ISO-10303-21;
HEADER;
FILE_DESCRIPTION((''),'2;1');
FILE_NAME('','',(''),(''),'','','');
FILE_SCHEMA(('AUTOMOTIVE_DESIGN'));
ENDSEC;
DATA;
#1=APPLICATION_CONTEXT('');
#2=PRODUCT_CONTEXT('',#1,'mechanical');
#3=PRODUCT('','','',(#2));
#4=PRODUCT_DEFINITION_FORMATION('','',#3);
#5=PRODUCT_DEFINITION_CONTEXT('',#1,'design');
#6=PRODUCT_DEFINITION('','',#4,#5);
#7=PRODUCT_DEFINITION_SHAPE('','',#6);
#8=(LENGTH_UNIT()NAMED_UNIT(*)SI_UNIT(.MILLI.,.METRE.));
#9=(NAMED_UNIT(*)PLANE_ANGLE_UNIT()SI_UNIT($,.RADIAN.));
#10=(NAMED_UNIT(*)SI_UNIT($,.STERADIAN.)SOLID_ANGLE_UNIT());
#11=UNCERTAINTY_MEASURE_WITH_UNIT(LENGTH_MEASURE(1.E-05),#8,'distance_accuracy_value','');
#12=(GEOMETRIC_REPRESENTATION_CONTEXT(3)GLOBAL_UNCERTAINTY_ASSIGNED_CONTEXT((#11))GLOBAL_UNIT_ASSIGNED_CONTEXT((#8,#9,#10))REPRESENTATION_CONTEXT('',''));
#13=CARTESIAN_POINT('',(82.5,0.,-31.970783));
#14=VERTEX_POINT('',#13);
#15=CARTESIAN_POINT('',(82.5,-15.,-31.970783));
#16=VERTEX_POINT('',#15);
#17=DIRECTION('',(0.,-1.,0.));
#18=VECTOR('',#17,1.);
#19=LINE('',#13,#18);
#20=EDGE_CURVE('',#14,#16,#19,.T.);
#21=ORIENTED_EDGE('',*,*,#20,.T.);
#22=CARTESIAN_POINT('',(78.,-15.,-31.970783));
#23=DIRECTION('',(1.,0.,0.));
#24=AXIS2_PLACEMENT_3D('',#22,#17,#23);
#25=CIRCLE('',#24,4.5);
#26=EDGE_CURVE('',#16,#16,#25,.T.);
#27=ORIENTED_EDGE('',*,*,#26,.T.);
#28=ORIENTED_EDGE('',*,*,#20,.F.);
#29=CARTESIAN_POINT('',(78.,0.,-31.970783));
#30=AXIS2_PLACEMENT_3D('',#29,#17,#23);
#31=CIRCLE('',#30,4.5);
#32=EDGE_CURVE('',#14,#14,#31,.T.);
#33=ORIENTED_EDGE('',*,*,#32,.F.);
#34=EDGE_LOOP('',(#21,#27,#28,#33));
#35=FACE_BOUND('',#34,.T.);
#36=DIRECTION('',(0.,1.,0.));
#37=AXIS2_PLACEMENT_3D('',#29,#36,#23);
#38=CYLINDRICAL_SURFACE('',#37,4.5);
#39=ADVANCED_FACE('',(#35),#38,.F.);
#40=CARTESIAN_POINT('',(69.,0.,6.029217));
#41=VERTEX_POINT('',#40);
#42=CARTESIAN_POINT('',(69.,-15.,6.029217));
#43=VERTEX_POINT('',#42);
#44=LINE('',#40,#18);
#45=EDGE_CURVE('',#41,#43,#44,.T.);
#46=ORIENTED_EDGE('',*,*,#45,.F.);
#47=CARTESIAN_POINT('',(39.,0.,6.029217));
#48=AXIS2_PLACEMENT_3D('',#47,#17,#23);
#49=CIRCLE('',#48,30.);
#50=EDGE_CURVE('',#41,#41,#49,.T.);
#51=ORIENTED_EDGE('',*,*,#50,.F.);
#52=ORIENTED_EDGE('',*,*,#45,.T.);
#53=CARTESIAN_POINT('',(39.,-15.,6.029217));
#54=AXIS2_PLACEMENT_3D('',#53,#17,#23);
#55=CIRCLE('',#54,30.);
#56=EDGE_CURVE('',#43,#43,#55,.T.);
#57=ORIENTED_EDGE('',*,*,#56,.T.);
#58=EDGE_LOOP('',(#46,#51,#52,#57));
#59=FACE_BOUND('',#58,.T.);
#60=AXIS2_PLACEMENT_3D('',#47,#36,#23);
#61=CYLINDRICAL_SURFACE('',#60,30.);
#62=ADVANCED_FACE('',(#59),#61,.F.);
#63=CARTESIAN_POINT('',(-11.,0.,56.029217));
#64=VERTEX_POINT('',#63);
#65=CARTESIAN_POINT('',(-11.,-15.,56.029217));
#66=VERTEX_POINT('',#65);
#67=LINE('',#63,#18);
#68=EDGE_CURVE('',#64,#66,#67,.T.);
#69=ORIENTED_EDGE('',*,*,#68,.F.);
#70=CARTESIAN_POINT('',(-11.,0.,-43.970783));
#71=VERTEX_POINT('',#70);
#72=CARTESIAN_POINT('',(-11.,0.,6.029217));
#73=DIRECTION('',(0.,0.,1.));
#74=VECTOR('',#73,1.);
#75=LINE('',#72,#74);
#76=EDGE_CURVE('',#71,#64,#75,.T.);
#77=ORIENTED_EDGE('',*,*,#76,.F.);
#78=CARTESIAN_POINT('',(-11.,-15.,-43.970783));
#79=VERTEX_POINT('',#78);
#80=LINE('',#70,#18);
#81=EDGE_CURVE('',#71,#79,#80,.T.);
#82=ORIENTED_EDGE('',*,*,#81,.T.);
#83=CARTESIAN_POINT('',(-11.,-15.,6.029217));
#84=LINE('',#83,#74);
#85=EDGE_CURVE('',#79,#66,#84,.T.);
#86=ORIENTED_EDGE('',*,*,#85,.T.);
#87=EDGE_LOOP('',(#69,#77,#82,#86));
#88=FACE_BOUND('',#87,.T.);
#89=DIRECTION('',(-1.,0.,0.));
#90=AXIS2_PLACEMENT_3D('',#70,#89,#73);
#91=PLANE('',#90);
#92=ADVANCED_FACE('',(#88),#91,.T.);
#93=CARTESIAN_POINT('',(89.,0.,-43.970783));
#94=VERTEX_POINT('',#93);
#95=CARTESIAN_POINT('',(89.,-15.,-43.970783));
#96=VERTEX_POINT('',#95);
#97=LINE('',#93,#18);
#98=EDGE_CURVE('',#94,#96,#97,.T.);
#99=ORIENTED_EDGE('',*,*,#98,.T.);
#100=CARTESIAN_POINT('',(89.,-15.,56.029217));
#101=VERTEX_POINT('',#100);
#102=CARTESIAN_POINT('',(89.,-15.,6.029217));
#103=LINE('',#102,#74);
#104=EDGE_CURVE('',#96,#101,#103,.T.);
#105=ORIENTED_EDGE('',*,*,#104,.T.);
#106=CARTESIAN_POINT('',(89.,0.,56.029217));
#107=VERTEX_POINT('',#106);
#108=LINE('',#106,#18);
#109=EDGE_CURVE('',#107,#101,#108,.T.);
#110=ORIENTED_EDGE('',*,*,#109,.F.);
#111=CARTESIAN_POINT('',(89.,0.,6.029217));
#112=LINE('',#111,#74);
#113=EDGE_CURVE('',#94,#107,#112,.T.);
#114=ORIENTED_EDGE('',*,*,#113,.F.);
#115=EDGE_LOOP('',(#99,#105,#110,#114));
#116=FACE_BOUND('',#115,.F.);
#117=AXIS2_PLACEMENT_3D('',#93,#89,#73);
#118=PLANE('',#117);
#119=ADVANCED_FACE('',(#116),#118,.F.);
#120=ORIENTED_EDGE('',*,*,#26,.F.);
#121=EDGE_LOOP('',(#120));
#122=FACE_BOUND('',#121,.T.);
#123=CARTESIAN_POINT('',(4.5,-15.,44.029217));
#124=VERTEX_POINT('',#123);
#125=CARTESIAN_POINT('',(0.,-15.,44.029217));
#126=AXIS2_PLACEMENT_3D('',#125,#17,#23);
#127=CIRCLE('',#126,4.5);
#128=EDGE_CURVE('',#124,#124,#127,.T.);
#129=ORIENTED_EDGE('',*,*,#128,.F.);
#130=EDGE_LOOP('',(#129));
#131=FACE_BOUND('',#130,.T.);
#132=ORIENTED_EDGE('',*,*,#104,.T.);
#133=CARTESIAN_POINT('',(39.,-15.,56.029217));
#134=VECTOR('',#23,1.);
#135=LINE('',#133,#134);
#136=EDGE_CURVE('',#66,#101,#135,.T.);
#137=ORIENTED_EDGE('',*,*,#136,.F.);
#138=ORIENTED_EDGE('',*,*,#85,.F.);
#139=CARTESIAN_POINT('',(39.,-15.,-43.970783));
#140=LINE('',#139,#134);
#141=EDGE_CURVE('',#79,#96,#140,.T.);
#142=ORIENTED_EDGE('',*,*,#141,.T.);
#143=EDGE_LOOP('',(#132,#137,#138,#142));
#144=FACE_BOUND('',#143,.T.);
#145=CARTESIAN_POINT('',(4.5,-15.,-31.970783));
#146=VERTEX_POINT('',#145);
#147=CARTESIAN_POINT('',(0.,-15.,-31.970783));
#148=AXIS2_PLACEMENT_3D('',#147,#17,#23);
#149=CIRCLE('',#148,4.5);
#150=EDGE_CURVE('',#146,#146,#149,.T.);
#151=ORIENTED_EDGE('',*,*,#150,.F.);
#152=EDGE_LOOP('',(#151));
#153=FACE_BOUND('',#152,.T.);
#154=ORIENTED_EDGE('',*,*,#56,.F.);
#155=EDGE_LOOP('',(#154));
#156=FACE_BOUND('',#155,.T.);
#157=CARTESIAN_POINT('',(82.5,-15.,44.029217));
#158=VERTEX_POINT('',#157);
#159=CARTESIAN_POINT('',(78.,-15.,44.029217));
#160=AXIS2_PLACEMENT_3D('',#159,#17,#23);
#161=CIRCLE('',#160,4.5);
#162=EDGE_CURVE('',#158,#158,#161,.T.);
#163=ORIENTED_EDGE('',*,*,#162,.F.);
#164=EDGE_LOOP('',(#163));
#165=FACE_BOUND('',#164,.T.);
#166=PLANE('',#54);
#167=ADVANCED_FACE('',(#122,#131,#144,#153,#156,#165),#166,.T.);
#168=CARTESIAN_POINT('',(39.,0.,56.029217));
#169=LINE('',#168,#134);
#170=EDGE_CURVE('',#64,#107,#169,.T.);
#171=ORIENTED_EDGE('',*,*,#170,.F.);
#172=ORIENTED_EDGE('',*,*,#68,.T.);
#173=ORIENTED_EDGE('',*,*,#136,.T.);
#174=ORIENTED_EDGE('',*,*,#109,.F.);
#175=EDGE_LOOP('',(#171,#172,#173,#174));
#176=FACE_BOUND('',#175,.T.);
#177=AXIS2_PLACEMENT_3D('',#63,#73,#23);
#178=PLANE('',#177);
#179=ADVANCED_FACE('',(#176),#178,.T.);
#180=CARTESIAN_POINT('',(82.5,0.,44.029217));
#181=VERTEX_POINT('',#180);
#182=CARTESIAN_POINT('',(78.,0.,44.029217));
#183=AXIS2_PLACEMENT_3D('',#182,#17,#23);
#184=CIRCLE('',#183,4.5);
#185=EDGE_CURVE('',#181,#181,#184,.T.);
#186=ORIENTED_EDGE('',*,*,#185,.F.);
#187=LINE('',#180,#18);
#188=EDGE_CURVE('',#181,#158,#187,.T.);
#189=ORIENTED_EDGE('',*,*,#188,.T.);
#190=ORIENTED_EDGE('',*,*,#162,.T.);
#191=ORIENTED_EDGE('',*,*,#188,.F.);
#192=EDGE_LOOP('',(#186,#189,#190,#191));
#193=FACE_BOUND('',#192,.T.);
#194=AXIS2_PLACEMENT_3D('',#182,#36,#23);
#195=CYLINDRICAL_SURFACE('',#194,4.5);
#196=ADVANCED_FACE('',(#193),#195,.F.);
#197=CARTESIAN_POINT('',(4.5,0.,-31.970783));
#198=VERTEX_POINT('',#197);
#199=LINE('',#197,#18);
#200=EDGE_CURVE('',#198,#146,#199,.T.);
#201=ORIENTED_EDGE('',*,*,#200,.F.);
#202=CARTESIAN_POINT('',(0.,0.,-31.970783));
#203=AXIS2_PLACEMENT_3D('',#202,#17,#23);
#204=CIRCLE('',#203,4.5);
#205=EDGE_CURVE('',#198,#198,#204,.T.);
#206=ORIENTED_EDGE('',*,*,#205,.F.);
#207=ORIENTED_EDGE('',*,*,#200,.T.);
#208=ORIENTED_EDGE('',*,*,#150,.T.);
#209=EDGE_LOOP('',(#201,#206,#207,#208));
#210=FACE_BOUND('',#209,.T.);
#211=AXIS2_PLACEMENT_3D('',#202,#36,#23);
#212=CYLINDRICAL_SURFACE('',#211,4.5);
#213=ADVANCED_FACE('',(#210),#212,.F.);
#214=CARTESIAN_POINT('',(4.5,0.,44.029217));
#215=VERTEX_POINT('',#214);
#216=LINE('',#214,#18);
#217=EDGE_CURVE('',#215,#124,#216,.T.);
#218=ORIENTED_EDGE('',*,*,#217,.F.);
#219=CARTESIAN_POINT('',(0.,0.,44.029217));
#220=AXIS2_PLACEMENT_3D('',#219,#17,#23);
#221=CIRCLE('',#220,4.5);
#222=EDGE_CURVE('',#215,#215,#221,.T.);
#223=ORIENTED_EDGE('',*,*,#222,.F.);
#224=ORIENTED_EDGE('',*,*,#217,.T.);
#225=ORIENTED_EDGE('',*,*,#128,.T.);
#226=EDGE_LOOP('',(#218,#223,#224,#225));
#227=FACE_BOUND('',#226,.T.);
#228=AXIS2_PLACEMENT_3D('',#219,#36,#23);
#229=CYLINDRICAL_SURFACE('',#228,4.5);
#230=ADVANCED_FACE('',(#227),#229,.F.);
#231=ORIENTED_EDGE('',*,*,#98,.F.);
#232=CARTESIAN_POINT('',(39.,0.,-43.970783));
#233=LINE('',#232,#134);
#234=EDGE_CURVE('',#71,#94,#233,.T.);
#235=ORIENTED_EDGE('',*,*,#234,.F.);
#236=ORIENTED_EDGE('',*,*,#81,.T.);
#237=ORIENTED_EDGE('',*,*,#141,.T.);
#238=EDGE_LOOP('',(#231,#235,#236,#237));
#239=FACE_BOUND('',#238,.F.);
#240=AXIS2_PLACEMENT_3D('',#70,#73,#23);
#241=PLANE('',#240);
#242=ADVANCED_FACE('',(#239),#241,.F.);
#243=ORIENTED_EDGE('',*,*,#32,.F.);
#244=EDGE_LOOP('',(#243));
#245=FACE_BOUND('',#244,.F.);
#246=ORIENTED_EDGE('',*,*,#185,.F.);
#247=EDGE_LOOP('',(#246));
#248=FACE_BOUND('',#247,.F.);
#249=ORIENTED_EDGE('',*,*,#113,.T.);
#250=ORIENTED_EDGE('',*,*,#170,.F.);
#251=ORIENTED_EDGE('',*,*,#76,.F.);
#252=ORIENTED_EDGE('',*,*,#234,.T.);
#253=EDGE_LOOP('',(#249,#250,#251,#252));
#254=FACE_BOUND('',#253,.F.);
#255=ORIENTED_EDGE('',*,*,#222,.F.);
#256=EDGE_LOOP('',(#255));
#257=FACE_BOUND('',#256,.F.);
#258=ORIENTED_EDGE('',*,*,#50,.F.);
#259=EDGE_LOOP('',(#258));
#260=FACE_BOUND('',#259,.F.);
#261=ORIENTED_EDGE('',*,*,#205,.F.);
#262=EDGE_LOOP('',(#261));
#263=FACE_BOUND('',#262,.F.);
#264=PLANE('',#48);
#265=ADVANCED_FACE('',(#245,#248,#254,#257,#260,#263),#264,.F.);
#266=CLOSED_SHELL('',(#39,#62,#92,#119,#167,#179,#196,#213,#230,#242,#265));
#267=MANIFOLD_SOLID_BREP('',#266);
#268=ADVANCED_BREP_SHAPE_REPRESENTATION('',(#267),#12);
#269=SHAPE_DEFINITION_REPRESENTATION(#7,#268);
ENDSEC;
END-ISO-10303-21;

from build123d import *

# Parameters (mm, degrees)
F0_W     = 100
F0_H     = 100
F0_R     = 4.5
F0_R_2   = 30
F1_DEPTH = 15


with BuildPart() as f1:
    # F0 (on Front) → F1 (new body)
    with BuildSketch(Plane.XZ):
        with Locations((39, 6.029217)):
            Rectangle(F0_W, F0_H)
        with Locations((0, -31.970783)):
            Circle(F0_R, mode=Mode.SUBTRACT)
        with Locations((78, -31.970783)):
            Circle(F0_R, mode=Mode.SUBTRACT)
        with Locations((39, 6.029217)):
            Circle(F0_R_2, mode=Mode.SUBTRACT)
        with Locations((0, 44.029217)):
            Circle(F0_R, mode=Mode.SUBTRACT)
        with Locations((78, 44.029217)):
            Circle(F0_R, mode=Mode.SUBTRACT)
    extrude(amount=F1_DEPTH)


solid = f1.part
